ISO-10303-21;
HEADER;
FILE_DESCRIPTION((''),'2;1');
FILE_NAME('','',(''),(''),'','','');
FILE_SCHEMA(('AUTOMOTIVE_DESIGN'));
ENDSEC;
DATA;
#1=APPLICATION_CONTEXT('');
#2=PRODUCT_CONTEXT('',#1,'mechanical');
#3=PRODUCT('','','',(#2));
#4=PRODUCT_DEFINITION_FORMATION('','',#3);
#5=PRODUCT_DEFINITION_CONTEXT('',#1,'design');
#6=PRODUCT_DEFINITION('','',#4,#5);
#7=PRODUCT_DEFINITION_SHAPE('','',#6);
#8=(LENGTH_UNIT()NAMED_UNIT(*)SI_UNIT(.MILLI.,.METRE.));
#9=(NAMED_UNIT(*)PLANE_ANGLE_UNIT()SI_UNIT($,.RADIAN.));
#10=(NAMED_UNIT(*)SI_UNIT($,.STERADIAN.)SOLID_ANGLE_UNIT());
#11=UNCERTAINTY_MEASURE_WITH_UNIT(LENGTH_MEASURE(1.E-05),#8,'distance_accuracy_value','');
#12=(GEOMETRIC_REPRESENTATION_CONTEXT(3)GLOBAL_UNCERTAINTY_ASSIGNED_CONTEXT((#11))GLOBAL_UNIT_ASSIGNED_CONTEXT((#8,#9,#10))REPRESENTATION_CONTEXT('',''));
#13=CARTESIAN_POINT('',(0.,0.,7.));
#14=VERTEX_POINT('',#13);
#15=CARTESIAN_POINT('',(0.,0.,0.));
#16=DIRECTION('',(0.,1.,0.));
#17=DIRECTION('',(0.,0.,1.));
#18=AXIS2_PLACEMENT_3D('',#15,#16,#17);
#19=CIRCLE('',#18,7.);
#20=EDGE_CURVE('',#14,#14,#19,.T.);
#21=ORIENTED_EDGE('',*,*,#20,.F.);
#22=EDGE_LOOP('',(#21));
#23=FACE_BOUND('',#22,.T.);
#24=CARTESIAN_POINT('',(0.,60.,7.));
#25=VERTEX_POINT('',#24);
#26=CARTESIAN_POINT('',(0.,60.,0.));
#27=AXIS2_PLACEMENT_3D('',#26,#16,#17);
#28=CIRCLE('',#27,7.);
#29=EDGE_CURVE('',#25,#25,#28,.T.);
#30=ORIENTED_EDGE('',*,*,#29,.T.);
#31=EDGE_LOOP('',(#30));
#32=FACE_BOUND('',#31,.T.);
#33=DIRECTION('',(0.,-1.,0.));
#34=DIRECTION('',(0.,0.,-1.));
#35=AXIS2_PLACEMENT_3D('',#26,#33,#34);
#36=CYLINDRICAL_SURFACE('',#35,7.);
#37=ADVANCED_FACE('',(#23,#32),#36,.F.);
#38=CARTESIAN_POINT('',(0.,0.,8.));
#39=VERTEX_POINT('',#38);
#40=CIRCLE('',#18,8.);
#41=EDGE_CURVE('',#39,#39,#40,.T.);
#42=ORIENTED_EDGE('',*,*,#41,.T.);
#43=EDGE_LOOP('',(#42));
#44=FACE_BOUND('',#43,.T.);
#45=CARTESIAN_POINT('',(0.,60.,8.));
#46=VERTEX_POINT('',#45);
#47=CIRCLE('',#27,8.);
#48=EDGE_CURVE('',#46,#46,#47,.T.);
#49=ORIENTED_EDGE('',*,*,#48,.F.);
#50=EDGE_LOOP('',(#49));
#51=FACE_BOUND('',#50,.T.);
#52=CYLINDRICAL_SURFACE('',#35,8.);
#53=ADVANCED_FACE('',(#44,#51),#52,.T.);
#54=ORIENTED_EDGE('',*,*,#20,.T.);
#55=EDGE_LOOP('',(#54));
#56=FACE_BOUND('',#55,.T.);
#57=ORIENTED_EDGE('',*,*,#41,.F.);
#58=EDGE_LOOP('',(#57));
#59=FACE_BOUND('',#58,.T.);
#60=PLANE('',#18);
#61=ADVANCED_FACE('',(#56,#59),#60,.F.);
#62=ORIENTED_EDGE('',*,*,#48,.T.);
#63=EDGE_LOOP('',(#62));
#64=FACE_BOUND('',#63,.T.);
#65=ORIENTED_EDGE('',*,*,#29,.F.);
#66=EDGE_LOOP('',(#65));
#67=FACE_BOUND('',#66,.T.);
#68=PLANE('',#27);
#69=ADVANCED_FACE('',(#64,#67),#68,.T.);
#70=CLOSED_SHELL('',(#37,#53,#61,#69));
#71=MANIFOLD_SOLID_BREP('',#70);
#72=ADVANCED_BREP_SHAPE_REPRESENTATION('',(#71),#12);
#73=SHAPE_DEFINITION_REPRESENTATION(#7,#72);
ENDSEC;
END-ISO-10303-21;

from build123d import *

# Parameters (mm, degrees)
SKETCH_1_R      = 8
SKETCH_1_R_2    = 7
EXTRUDE_1_DEPTH = 60


with BuildPart() as part:
    # 草图1 → 凸台-拉伸1 (new body)
    with BuildSketch(Plane(origin=(0, 0, 0), x_dir=(1, 0, 0), z_dir=(0, 1, 0))):
        Circle(SKETCH_1_R)
        Circle(SKETCH_1_R_2, mode=Mode.SUBTRACT)
    extrude(amount=EXTRUDE_1_DEPTH)


solid = part.part
